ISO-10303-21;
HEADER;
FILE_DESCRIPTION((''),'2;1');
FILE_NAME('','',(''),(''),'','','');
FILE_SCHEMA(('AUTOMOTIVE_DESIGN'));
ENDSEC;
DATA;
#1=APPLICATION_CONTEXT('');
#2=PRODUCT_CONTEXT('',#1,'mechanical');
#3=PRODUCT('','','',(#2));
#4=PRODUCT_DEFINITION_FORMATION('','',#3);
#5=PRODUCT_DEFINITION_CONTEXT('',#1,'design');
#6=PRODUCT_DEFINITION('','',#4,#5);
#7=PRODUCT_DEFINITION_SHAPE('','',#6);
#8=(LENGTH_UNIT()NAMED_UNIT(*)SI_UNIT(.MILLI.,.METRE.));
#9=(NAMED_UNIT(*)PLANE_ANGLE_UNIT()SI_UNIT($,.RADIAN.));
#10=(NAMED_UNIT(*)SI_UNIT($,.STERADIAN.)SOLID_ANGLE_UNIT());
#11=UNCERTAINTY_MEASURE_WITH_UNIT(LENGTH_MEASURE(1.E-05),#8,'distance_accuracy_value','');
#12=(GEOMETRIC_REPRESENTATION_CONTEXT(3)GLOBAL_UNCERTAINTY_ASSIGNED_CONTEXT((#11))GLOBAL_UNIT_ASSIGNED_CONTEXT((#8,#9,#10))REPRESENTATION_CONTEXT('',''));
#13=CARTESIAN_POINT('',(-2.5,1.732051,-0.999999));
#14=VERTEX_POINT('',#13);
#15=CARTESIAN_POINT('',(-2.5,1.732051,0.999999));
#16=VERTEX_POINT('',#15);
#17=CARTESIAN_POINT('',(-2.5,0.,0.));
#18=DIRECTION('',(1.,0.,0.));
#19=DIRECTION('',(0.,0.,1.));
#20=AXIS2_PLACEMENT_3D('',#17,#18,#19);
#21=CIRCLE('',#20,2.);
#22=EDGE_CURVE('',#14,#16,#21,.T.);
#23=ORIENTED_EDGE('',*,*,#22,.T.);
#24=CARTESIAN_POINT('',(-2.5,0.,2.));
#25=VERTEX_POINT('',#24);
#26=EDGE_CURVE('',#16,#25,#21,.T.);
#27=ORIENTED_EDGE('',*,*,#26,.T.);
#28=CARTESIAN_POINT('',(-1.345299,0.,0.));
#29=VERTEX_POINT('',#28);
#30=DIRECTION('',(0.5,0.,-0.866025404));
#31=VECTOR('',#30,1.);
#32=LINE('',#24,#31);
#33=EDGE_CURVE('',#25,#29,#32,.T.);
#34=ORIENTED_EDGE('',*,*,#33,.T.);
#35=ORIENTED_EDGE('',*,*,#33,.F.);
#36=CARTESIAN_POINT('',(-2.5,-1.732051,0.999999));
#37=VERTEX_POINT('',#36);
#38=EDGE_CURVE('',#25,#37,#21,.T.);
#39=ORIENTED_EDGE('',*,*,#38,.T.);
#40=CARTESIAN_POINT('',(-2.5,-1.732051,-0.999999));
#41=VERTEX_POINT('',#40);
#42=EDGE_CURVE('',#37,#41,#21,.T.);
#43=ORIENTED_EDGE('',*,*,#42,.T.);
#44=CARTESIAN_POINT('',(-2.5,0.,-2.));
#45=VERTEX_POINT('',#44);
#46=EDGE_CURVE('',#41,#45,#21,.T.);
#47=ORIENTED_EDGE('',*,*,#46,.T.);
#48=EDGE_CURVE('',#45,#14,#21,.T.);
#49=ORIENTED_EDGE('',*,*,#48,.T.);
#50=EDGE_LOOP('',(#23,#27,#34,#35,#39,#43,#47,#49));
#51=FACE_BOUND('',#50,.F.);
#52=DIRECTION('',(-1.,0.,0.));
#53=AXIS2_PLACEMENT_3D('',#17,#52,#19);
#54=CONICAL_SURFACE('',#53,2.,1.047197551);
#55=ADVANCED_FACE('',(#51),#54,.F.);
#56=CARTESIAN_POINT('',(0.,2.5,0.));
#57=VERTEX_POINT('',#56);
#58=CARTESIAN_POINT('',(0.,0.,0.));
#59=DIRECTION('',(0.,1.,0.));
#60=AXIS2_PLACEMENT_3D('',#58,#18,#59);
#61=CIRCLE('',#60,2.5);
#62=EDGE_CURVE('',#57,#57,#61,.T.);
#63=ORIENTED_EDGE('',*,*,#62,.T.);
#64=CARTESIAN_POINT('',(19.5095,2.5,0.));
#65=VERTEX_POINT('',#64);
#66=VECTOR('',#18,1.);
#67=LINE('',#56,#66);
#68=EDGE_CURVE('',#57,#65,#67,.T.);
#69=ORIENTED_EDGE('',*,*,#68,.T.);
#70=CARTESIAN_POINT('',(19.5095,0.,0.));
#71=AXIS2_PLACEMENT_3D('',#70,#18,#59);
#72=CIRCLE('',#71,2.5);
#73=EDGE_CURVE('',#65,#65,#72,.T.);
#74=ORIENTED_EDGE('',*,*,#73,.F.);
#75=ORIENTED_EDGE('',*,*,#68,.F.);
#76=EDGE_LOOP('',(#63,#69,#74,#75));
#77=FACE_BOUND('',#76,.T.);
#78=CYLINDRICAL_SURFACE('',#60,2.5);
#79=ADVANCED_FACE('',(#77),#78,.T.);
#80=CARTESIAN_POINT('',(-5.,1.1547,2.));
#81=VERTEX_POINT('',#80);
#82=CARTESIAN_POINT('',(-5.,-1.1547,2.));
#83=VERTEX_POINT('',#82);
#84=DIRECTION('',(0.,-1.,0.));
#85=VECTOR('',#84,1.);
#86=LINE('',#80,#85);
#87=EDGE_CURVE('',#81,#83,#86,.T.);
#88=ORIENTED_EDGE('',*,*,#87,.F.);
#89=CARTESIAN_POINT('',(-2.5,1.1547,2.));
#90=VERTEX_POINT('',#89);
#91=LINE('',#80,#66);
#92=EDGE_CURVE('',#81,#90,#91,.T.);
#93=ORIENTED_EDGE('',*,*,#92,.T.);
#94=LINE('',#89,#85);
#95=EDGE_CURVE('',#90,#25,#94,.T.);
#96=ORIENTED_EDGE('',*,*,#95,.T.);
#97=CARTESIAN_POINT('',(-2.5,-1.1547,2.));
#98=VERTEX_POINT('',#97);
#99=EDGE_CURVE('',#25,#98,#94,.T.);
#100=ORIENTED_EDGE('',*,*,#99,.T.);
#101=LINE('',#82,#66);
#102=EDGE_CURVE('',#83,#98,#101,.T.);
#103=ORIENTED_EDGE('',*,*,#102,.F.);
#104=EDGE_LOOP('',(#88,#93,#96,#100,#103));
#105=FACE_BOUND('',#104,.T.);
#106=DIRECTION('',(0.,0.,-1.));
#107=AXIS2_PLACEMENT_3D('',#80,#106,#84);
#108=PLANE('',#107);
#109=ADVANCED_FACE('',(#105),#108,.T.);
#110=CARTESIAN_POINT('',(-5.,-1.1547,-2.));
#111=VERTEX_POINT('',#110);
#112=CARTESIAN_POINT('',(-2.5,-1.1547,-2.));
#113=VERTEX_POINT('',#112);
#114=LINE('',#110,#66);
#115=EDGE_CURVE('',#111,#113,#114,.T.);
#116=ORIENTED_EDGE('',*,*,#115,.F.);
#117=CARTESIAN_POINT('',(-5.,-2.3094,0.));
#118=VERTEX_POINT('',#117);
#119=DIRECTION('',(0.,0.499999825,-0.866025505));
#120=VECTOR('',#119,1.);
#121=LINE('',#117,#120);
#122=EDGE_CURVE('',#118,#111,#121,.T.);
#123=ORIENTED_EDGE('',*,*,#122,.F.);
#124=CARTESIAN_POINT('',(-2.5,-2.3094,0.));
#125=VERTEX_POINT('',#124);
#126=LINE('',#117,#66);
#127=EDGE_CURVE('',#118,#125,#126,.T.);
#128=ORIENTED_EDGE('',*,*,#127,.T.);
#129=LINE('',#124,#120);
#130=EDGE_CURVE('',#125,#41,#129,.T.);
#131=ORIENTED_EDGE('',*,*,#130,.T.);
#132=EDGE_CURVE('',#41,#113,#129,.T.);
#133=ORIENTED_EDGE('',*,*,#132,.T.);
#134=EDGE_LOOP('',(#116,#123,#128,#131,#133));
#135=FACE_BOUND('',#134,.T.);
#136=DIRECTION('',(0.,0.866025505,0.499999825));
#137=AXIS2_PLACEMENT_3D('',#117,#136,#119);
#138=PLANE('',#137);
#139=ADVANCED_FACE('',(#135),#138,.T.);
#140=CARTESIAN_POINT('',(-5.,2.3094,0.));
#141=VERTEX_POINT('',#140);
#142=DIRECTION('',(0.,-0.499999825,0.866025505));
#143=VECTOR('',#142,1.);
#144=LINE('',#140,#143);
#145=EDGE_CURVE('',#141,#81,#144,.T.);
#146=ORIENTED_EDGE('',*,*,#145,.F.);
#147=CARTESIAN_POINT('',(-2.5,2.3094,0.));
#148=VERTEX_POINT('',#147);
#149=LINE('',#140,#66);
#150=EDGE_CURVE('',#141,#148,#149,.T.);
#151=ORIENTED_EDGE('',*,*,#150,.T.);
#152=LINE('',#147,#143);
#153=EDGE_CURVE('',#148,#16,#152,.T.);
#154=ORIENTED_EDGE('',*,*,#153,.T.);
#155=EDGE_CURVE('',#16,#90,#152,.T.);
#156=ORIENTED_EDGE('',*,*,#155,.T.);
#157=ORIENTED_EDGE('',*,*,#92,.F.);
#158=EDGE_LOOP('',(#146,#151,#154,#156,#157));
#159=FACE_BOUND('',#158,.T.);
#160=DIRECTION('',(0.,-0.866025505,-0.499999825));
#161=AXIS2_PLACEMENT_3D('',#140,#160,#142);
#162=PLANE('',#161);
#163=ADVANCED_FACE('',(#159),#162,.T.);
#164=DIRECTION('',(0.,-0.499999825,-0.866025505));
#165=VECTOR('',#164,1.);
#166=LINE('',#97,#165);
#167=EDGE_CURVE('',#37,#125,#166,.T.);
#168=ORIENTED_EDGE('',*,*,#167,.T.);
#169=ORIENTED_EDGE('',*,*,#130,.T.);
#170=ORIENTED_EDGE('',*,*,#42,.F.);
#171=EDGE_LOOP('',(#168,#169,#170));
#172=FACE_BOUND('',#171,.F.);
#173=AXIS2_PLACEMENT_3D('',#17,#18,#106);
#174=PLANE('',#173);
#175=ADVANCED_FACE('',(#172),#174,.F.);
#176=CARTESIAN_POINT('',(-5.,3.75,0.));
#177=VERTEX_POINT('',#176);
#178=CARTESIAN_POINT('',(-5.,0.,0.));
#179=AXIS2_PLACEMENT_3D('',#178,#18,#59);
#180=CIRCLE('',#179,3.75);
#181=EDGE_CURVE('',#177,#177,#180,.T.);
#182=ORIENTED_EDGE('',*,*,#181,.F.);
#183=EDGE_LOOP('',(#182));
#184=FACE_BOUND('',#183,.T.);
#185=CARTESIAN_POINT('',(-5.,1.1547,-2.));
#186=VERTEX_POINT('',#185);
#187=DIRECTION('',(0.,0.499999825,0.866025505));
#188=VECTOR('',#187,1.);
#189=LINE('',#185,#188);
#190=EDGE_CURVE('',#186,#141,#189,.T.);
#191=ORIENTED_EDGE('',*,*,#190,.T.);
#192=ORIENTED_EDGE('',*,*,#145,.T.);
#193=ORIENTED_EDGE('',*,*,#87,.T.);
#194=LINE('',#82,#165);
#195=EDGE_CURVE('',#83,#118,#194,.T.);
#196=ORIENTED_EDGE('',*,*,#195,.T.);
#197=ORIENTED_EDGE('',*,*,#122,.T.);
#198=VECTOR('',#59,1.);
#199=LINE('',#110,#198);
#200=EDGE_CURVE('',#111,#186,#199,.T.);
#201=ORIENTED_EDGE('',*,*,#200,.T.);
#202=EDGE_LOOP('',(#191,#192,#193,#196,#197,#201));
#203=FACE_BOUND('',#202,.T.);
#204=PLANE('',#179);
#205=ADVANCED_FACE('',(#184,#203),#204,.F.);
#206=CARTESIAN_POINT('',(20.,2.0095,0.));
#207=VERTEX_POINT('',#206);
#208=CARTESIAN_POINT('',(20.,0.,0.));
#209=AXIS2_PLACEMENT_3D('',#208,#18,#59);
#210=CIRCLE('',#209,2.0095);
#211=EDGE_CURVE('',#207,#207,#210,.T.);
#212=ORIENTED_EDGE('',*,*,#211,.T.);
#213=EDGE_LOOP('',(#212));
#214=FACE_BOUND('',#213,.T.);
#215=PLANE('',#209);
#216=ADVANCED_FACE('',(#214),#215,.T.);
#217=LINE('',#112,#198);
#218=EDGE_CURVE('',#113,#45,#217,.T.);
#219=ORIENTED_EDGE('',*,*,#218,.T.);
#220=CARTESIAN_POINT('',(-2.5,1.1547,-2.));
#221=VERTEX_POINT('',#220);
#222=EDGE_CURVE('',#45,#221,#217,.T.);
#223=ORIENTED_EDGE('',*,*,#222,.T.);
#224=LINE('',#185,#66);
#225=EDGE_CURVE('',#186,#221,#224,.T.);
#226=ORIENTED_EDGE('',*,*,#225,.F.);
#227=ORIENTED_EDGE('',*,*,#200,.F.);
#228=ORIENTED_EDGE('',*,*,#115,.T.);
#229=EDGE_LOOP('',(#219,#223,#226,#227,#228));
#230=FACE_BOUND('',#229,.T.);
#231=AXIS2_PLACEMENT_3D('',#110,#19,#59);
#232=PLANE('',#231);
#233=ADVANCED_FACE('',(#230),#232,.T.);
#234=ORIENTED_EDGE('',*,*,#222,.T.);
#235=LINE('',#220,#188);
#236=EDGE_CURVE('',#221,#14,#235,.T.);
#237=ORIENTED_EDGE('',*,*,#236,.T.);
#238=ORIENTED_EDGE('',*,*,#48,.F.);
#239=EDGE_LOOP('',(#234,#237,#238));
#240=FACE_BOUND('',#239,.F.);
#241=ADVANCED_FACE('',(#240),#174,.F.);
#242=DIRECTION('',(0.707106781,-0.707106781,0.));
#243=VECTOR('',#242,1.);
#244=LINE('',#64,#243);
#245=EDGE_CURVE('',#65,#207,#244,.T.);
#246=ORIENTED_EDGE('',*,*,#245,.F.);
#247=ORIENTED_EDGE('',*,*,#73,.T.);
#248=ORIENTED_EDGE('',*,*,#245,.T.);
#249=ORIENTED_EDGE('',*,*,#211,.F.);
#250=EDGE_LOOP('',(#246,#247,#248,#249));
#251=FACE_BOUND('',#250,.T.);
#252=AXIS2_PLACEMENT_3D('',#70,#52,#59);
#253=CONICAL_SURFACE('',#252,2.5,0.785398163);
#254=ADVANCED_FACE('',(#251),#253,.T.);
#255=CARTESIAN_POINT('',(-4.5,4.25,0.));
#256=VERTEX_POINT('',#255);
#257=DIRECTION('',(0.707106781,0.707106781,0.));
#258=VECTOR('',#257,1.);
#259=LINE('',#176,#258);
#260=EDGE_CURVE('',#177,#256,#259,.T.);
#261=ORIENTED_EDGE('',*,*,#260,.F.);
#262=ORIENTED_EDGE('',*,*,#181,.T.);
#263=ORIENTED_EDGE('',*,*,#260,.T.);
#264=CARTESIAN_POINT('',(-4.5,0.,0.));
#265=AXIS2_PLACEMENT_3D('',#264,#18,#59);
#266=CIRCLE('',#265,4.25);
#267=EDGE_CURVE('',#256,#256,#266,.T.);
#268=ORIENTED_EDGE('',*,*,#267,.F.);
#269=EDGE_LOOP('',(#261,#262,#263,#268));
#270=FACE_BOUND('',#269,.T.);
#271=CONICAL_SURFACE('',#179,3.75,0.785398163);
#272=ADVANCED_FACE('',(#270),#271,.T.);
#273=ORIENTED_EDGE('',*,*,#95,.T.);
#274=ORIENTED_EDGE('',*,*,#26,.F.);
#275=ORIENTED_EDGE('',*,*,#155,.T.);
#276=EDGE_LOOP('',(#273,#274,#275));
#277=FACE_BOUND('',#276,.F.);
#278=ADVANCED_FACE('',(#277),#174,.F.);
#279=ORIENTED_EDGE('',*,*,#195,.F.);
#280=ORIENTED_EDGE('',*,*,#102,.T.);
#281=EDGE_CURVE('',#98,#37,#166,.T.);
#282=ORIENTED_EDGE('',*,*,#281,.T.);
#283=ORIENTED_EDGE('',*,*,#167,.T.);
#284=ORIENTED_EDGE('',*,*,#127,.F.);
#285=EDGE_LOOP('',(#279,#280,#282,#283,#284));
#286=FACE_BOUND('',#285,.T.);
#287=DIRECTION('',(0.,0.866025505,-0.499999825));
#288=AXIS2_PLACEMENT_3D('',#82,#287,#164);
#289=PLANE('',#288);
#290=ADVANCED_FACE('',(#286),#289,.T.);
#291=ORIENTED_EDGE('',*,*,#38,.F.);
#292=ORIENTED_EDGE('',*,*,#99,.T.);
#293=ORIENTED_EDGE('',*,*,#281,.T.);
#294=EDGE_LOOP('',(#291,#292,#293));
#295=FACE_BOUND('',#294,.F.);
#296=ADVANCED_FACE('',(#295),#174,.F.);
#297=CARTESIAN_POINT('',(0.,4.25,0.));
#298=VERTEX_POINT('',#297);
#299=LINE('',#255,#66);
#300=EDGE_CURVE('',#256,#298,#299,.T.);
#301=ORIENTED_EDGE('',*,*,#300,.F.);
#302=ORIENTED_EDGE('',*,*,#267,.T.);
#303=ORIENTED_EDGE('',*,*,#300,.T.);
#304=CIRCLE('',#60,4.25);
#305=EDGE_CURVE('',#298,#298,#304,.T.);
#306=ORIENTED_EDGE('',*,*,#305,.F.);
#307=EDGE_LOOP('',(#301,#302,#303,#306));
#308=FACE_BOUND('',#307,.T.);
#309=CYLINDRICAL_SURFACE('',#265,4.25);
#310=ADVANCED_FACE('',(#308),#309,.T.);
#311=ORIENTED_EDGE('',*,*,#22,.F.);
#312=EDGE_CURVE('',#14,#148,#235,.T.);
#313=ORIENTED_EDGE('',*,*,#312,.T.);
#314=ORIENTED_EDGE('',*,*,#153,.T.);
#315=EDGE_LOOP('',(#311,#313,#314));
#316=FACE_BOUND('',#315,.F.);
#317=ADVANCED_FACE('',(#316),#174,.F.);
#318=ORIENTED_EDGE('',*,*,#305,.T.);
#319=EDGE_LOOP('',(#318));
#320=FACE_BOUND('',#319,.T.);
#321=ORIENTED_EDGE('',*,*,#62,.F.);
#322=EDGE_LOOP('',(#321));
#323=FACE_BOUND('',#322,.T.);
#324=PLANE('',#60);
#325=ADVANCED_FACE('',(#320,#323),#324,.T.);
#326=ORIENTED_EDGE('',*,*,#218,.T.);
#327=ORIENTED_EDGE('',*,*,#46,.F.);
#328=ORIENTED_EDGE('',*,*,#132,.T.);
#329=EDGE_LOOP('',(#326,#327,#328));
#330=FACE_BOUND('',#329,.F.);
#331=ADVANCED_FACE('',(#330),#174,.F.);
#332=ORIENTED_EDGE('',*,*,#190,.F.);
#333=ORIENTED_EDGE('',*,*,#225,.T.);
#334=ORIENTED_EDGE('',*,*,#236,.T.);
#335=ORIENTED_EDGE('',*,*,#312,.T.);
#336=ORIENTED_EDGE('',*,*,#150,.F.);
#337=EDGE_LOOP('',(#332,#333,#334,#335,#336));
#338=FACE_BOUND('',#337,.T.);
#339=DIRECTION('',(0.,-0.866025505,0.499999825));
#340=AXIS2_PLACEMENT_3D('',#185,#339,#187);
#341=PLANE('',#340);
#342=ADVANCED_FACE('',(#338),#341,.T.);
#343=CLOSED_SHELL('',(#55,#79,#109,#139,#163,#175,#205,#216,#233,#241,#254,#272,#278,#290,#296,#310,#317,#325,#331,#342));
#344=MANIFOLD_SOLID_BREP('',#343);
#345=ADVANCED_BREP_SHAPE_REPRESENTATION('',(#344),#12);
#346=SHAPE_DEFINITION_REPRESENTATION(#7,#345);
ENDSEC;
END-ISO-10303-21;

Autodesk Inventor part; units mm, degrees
sketch "Sketch_1" plane through (0, 0, 0) normal (0, 0, 1) x (1, 0, 0)
  line L0 (20, 0) -> (-5, 0)
  line L1 (-5, 0) -> (-5, 3.75)
  line L2 (-5, 3.75) -> (-4.5, 4.25)
  line L3 (-4.5, 4.25) -> (0, 4.25)
  line L4 (0, 4.25) -> (0, 2.5)
  line L5 (0, 2.5) -> (19.5095, 2.5)
  line L6 (19.5095, 2.5) -> (20, 2.0095)
  line L7 (20, 2.0095) -> (20, 0)
  line L8 (20, 0) -> (-5, 0)
revolve "Revolution1" add sketch "Sketch_1" angle 360 about axis through (20, 0, 0) along (1, 0, 0)
thread "Thread1" size "M5x0.8" class "6g" standard "ISO Metric profile" length 19.2 offset 0.8
sketch "Sketch2" plane through (-5, 0, 0) normal (-1, 0, 0) x (0, 0, 1)
  point P0 (0, 0)
hole "Hole1" at (-5, 0, 0) direction (1, 0, 0) diameter 4 depth 2.5 tip angle 120
sketch "Sketch_3" plane through (-5, 0, 0) normal (1, 0, 0) x (0, 0, -1)
  line L0 (-2, -1.1547) -> (0, -2.3094)
  line L1 (0, -2.3094) -> (2, -1.1547)
  line L2 (2, -1.1547) -> (2, 1.1547)
  line L3 (2, 1.1547) -> (0, 2.3094)
  line L4 (0, 2.3094) -> (-2, 1.1547)
  line L5 (-2, 1.1547) -> (-2, -1.1547)
extrude "Extrusion1" cut sketch "Sketch_3" along normal blind 2.5
ref_plane "bolt_XY" through (20, 0, 0) normal (1, 0, 0) x (0, 0, -1)
ref_plane "bolt_YZ" through (20, 0, 0) normal (0, 0, -1) x (0, 1, 0)
ref_plane "bolt_ZX" through (20, 0, 0) normal (0, 1, 0) x (1, 0, 0)
ref_plane "nut_XY" through (0, 0, 0) normal (1, 0, 0) x (0, 0, -1)
ref_plane "nut_YZ" through (0, 0, 0) normal (0, 0, -1) x (0, 1, 0)
ref_plane "nut_ZX" through (0, 0, 0) normal (0, 1, 0) x (1, 0, 0)
properties part number "CBE5-20"
